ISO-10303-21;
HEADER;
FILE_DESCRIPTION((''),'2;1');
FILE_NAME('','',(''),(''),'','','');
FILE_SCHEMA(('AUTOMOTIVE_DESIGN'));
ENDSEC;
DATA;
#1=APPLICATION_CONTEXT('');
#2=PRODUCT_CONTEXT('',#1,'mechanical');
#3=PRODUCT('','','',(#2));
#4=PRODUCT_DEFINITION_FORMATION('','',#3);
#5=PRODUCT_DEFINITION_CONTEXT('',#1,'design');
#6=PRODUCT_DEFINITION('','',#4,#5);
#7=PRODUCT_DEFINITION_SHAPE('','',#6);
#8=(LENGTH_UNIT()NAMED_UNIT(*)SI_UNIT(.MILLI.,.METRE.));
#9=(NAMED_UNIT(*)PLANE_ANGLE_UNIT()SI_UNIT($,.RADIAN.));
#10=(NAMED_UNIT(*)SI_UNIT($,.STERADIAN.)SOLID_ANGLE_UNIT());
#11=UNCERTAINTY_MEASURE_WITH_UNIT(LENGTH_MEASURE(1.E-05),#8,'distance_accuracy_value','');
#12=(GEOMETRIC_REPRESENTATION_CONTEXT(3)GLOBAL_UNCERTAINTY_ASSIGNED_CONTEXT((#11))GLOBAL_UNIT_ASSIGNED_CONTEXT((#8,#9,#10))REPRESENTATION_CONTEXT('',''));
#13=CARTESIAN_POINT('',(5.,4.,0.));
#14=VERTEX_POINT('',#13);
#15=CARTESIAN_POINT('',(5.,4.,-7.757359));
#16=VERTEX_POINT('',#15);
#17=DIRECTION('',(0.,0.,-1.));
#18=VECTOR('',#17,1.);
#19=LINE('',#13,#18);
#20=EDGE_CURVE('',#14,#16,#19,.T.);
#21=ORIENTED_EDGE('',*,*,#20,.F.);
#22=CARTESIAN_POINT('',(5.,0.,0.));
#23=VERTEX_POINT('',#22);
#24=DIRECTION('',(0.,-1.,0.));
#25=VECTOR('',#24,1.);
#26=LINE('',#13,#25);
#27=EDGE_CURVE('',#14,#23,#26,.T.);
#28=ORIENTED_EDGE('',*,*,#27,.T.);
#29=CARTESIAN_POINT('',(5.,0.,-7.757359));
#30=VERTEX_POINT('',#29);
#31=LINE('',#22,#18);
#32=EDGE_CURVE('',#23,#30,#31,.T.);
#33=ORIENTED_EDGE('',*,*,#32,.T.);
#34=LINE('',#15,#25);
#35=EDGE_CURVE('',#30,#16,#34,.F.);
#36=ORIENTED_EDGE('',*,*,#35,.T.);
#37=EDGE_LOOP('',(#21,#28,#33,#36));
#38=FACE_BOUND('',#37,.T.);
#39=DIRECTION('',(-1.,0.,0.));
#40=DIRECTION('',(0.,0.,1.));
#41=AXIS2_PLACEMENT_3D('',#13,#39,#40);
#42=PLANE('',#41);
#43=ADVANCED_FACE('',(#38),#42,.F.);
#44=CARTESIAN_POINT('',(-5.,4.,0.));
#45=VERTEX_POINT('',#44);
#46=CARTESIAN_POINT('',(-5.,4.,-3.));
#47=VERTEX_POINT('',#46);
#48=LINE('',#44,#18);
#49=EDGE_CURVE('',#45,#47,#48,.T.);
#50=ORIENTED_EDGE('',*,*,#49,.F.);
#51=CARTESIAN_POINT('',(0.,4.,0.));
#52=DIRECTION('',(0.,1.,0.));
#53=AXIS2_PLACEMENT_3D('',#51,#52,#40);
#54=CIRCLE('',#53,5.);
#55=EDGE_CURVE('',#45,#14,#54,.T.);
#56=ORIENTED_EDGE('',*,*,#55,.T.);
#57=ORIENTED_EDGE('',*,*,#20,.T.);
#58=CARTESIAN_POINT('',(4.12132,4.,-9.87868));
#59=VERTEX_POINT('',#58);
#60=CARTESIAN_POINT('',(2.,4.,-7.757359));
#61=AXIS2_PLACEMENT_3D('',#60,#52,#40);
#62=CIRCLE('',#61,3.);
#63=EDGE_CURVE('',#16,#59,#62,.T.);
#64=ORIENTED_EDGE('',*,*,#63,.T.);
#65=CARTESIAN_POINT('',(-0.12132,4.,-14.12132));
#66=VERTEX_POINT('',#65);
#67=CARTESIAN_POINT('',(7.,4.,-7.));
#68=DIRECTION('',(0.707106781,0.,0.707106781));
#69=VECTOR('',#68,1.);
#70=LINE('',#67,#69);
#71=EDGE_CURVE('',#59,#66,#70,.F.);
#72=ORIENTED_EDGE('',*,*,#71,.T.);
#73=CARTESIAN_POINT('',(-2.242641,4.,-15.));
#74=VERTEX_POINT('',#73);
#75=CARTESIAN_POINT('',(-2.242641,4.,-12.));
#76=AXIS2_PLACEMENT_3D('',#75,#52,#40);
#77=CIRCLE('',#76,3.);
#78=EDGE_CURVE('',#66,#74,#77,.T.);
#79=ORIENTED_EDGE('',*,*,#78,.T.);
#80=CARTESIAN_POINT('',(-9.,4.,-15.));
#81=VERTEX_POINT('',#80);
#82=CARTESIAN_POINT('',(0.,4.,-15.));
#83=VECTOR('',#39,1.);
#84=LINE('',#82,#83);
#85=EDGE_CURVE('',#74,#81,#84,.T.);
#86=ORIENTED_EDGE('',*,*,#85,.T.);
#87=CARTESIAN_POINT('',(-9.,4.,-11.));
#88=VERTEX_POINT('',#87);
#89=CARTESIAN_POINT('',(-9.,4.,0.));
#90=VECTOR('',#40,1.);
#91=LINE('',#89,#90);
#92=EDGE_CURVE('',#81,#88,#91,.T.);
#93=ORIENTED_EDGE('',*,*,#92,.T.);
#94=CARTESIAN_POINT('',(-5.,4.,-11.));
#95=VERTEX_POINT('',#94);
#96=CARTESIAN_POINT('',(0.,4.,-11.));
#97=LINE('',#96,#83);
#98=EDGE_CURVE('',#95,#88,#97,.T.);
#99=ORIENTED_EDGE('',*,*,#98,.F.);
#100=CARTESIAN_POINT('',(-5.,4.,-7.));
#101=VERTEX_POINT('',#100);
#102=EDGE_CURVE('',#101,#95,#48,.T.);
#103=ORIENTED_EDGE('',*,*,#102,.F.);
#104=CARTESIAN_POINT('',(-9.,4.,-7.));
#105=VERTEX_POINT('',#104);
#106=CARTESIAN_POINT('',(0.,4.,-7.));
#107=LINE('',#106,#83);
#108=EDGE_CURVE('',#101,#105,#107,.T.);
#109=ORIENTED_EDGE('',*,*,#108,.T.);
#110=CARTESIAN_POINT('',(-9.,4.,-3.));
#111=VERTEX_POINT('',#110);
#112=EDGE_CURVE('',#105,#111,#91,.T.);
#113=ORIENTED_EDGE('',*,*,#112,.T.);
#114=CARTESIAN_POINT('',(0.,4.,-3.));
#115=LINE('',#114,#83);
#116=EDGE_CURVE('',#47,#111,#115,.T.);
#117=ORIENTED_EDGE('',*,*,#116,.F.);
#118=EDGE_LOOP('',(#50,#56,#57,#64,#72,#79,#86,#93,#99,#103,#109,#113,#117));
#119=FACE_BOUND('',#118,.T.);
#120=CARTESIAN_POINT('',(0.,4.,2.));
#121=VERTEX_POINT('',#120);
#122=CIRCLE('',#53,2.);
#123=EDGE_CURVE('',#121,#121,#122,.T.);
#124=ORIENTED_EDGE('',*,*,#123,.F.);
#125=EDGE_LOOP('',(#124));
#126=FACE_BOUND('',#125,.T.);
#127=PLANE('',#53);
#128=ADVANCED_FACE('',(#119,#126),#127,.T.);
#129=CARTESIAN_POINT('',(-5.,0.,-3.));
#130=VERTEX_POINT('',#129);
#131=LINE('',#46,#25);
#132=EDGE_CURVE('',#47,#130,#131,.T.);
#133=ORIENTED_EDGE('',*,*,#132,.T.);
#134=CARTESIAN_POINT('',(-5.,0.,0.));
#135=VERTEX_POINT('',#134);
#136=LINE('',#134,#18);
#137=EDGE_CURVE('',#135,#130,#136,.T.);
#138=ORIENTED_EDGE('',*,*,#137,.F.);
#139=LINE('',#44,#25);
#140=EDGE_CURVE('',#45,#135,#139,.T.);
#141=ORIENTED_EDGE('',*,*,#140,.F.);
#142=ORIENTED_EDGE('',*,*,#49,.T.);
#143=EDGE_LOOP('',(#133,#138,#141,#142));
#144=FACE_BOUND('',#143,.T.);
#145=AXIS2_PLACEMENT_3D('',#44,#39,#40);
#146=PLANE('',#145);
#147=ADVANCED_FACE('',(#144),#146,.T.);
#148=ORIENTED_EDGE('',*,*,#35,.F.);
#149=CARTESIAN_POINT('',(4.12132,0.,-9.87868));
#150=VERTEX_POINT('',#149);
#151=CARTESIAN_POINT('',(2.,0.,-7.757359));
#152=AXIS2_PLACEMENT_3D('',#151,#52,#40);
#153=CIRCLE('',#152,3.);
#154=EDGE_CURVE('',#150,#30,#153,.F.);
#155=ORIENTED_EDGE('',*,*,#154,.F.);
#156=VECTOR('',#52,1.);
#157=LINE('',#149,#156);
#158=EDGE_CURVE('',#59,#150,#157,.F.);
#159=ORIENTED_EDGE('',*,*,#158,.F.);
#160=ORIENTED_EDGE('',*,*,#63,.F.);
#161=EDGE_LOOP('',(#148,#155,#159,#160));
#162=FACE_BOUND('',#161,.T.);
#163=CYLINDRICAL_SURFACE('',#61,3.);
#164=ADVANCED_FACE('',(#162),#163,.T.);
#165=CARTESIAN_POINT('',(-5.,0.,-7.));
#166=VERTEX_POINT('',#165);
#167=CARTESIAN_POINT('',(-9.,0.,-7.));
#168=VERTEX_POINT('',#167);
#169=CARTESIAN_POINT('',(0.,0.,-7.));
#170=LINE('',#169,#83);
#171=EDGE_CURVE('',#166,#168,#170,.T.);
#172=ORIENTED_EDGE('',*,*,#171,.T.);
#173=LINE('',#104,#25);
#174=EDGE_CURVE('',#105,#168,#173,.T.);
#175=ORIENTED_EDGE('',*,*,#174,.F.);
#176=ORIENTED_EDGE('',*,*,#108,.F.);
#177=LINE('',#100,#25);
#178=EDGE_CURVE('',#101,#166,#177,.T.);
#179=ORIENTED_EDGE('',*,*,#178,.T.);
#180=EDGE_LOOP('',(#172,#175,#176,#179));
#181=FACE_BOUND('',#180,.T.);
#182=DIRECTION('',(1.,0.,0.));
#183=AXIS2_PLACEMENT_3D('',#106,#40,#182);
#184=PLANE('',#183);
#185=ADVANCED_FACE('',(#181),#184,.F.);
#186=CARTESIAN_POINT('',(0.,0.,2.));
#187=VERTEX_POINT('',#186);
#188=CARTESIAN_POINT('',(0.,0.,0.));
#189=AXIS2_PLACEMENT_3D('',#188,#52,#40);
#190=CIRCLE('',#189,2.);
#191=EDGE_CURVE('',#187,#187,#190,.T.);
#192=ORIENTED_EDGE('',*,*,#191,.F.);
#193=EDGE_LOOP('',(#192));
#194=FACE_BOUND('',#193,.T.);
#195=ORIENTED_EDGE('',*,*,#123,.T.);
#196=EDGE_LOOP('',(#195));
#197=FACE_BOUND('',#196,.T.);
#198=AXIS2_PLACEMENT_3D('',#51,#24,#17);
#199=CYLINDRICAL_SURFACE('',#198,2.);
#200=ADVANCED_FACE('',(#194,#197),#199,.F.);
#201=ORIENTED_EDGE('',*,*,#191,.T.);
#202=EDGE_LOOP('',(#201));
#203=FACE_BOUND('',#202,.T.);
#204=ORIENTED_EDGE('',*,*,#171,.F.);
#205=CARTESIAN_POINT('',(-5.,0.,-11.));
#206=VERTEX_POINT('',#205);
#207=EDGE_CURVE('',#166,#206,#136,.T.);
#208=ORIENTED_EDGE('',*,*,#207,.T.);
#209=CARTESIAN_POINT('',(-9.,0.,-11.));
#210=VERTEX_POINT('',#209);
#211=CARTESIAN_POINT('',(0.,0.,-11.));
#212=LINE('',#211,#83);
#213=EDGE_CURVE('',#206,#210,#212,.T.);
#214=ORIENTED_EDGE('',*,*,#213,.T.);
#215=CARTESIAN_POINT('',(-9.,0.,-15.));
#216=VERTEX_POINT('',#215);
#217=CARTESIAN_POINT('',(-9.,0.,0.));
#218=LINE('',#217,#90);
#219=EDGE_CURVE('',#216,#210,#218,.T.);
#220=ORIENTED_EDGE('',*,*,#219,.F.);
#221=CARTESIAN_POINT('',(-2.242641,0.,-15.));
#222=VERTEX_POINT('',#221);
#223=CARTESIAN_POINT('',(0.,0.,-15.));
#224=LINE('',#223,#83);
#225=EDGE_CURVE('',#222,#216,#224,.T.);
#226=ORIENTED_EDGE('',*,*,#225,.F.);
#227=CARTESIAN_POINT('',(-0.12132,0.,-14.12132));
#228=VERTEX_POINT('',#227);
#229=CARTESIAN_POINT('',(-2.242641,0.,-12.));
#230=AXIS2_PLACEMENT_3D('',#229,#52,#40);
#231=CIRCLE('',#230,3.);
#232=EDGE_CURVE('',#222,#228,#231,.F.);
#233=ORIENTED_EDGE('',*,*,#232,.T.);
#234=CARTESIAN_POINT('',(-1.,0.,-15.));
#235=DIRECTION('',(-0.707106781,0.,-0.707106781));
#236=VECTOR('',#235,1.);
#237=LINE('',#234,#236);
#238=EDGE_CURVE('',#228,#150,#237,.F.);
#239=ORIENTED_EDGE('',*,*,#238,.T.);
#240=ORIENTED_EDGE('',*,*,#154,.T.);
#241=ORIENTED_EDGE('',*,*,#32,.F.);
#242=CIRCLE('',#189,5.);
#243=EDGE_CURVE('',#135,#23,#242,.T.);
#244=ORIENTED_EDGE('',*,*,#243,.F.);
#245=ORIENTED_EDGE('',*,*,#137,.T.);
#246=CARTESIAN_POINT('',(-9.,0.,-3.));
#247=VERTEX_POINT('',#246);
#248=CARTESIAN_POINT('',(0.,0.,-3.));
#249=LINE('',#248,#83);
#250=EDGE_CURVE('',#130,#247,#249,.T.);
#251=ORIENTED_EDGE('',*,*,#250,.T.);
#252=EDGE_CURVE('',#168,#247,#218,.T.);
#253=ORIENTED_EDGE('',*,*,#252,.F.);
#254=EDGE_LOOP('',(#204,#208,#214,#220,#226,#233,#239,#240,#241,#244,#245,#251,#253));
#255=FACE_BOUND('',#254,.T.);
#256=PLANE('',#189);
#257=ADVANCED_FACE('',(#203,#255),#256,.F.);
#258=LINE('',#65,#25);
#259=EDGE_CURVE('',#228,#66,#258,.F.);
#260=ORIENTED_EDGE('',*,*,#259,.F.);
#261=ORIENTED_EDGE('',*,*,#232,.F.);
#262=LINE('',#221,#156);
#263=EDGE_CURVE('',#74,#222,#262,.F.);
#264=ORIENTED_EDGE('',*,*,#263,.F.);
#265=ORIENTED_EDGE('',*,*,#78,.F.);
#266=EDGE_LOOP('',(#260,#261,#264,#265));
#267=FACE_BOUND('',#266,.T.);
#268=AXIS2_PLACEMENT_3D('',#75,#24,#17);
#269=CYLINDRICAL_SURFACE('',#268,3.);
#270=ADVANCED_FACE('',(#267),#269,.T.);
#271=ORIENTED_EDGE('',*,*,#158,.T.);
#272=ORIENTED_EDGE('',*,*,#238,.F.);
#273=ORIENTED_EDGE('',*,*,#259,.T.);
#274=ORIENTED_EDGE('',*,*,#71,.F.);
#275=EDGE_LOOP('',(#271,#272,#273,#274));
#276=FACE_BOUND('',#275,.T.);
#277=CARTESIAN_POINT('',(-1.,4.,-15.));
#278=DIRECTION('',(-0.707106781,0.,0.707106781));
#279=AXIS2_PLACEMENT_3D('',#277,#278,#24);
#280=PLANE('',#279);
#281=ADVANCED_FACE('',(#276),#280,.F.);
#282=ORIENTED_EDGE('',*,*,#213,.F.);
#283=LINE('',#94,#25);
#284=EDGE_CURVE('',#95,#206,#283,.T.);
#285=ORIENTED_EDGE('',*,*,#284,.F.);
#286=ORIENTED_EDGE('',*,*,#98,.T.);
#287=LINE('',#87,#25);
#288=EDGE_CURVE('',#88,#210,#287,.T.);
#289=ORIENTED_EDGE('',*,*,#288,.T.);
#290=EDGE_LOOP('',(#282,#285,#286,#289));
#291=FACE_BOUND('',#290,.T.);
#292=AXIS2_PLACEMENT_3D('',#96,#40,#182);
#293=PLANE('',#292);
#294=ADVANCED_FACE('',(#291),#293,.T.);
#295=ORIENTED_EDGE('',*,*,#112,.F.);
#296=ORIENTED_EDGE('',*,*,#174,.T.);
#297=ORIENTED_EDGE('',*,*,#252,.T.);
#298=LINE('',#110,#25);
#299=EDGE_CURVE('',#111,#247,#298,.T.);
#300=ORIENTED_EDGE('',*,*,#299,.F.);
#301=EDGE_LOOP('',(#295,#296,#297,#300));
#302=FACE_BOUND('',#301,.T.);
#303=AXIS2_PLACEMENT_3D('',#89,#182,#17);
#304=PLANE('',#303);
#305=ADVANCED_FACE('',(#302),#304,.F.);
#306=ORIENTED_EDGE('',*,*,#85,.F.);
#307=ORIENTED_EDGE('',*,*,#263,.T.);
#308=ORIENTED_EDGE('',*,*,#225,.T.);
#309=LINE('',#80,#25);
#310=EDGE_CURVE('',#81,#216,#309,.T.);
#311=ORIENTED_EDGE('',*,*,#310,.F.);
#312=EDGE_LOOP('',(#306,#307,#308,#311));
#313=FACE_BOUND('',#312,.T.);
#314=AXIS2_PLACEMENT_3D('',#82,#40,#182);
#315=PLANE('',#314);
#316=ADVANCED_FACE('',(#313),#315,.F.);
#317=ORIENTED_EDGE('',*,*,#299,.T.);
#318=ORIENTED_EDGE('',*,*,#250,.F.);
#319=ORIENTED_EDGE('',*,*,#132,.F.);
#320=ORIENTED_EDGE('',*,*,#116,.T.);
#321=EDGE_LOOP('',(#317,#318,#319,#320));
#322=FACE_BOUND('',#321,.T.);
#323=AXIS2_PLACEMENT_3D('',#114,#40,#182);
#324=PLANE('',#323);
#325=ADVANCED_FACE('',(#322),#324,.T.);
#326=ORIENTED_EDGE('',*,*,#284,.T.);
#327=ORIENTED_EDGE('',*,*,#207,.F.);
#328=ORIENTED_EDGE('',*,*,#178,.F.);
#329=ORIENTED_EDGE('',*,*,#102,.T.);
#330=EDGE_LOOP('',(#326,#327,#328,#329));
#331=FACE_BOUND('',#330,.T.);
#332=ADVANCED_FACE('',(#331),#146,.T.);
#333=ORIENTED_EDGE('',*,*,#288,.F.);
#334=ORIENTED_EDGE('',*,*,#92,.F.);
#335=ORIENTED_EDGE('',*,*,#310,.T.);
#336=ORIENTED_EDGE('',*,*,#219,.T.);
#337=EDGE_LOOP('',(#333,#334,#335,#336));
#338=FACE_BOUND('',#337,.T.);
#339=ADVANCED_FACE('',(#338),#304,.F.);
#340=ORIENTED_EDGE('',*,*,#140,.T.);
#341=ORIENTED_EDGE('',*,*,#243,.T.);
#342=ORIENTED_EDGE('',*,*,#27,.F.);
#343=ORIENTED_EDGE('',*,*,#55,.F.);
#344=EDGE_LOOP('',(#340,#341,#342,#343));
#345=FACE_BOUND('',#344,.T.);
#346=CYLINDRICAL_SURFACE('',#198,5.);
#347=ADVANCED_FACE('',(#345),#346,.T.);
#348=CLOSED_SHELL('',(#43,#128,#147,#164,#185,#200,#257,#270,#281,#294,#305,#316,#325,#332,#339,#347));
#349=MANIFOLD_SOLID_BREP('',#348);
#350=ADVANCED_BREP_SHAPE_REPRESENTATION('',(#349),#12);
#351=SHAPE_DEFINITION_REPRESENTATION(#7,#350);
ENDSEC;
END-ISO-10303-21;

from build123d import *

# Parameters (mm, degrees)
SKETCH1_R           = 2
BOSS_EXTRUDE1_DEPTH = 4
CHAMFER1_SIZE       = 6
FILLET1_R           = 3


with BuildPart() as part:
    # Sketch1 → Boss-Extrude1 (new body)
    with BuildSketch(Plane(origin=(0, 0, 0), x_dir=(1, 0, 0), z_dir=(0, 1, 0))):
        with BuildLine():
            ThreePointArc((-5, 0), (0, -5), (5, 0))
            Line((5, 0), (5, 15))
            Line((5, 15), (-9, 15))
            Line((-9, 15), (-9, 11))
            Line((-9, 11), (-5, 11))
            Line((-5, 11), (-5, 7))
            Line((-5, 7), (-9, 7))
            Line((-9, 7), (-9, 3))
            Line((-9, 3), (-5, 3))
            Line((-5, 3), (-5, 0))
        make_face()
        Circle(SKETCH1_R, mode=Mode.SUBTRACT)
    extrude(amount=BOSS_EXTRUDE1_DEPTH)

    # Chamfer1
    chamfer1_edges = [part.edges().sort_by_distance(p)[0] for p in [
        (5, 2, -15),
    ]]
    chamfer(chamfer1_edges, length=CHAMFER1_SIZE)

    # Fillet1
    fillet1_edges = [part.edges().sort_by_distance(p)[0] for p in [
        (-1, 2, -15),
        (5, 2, -9),
    ]]
    fillet(fillet1_edges, radius=FILLET1_R)


solid = part.part
